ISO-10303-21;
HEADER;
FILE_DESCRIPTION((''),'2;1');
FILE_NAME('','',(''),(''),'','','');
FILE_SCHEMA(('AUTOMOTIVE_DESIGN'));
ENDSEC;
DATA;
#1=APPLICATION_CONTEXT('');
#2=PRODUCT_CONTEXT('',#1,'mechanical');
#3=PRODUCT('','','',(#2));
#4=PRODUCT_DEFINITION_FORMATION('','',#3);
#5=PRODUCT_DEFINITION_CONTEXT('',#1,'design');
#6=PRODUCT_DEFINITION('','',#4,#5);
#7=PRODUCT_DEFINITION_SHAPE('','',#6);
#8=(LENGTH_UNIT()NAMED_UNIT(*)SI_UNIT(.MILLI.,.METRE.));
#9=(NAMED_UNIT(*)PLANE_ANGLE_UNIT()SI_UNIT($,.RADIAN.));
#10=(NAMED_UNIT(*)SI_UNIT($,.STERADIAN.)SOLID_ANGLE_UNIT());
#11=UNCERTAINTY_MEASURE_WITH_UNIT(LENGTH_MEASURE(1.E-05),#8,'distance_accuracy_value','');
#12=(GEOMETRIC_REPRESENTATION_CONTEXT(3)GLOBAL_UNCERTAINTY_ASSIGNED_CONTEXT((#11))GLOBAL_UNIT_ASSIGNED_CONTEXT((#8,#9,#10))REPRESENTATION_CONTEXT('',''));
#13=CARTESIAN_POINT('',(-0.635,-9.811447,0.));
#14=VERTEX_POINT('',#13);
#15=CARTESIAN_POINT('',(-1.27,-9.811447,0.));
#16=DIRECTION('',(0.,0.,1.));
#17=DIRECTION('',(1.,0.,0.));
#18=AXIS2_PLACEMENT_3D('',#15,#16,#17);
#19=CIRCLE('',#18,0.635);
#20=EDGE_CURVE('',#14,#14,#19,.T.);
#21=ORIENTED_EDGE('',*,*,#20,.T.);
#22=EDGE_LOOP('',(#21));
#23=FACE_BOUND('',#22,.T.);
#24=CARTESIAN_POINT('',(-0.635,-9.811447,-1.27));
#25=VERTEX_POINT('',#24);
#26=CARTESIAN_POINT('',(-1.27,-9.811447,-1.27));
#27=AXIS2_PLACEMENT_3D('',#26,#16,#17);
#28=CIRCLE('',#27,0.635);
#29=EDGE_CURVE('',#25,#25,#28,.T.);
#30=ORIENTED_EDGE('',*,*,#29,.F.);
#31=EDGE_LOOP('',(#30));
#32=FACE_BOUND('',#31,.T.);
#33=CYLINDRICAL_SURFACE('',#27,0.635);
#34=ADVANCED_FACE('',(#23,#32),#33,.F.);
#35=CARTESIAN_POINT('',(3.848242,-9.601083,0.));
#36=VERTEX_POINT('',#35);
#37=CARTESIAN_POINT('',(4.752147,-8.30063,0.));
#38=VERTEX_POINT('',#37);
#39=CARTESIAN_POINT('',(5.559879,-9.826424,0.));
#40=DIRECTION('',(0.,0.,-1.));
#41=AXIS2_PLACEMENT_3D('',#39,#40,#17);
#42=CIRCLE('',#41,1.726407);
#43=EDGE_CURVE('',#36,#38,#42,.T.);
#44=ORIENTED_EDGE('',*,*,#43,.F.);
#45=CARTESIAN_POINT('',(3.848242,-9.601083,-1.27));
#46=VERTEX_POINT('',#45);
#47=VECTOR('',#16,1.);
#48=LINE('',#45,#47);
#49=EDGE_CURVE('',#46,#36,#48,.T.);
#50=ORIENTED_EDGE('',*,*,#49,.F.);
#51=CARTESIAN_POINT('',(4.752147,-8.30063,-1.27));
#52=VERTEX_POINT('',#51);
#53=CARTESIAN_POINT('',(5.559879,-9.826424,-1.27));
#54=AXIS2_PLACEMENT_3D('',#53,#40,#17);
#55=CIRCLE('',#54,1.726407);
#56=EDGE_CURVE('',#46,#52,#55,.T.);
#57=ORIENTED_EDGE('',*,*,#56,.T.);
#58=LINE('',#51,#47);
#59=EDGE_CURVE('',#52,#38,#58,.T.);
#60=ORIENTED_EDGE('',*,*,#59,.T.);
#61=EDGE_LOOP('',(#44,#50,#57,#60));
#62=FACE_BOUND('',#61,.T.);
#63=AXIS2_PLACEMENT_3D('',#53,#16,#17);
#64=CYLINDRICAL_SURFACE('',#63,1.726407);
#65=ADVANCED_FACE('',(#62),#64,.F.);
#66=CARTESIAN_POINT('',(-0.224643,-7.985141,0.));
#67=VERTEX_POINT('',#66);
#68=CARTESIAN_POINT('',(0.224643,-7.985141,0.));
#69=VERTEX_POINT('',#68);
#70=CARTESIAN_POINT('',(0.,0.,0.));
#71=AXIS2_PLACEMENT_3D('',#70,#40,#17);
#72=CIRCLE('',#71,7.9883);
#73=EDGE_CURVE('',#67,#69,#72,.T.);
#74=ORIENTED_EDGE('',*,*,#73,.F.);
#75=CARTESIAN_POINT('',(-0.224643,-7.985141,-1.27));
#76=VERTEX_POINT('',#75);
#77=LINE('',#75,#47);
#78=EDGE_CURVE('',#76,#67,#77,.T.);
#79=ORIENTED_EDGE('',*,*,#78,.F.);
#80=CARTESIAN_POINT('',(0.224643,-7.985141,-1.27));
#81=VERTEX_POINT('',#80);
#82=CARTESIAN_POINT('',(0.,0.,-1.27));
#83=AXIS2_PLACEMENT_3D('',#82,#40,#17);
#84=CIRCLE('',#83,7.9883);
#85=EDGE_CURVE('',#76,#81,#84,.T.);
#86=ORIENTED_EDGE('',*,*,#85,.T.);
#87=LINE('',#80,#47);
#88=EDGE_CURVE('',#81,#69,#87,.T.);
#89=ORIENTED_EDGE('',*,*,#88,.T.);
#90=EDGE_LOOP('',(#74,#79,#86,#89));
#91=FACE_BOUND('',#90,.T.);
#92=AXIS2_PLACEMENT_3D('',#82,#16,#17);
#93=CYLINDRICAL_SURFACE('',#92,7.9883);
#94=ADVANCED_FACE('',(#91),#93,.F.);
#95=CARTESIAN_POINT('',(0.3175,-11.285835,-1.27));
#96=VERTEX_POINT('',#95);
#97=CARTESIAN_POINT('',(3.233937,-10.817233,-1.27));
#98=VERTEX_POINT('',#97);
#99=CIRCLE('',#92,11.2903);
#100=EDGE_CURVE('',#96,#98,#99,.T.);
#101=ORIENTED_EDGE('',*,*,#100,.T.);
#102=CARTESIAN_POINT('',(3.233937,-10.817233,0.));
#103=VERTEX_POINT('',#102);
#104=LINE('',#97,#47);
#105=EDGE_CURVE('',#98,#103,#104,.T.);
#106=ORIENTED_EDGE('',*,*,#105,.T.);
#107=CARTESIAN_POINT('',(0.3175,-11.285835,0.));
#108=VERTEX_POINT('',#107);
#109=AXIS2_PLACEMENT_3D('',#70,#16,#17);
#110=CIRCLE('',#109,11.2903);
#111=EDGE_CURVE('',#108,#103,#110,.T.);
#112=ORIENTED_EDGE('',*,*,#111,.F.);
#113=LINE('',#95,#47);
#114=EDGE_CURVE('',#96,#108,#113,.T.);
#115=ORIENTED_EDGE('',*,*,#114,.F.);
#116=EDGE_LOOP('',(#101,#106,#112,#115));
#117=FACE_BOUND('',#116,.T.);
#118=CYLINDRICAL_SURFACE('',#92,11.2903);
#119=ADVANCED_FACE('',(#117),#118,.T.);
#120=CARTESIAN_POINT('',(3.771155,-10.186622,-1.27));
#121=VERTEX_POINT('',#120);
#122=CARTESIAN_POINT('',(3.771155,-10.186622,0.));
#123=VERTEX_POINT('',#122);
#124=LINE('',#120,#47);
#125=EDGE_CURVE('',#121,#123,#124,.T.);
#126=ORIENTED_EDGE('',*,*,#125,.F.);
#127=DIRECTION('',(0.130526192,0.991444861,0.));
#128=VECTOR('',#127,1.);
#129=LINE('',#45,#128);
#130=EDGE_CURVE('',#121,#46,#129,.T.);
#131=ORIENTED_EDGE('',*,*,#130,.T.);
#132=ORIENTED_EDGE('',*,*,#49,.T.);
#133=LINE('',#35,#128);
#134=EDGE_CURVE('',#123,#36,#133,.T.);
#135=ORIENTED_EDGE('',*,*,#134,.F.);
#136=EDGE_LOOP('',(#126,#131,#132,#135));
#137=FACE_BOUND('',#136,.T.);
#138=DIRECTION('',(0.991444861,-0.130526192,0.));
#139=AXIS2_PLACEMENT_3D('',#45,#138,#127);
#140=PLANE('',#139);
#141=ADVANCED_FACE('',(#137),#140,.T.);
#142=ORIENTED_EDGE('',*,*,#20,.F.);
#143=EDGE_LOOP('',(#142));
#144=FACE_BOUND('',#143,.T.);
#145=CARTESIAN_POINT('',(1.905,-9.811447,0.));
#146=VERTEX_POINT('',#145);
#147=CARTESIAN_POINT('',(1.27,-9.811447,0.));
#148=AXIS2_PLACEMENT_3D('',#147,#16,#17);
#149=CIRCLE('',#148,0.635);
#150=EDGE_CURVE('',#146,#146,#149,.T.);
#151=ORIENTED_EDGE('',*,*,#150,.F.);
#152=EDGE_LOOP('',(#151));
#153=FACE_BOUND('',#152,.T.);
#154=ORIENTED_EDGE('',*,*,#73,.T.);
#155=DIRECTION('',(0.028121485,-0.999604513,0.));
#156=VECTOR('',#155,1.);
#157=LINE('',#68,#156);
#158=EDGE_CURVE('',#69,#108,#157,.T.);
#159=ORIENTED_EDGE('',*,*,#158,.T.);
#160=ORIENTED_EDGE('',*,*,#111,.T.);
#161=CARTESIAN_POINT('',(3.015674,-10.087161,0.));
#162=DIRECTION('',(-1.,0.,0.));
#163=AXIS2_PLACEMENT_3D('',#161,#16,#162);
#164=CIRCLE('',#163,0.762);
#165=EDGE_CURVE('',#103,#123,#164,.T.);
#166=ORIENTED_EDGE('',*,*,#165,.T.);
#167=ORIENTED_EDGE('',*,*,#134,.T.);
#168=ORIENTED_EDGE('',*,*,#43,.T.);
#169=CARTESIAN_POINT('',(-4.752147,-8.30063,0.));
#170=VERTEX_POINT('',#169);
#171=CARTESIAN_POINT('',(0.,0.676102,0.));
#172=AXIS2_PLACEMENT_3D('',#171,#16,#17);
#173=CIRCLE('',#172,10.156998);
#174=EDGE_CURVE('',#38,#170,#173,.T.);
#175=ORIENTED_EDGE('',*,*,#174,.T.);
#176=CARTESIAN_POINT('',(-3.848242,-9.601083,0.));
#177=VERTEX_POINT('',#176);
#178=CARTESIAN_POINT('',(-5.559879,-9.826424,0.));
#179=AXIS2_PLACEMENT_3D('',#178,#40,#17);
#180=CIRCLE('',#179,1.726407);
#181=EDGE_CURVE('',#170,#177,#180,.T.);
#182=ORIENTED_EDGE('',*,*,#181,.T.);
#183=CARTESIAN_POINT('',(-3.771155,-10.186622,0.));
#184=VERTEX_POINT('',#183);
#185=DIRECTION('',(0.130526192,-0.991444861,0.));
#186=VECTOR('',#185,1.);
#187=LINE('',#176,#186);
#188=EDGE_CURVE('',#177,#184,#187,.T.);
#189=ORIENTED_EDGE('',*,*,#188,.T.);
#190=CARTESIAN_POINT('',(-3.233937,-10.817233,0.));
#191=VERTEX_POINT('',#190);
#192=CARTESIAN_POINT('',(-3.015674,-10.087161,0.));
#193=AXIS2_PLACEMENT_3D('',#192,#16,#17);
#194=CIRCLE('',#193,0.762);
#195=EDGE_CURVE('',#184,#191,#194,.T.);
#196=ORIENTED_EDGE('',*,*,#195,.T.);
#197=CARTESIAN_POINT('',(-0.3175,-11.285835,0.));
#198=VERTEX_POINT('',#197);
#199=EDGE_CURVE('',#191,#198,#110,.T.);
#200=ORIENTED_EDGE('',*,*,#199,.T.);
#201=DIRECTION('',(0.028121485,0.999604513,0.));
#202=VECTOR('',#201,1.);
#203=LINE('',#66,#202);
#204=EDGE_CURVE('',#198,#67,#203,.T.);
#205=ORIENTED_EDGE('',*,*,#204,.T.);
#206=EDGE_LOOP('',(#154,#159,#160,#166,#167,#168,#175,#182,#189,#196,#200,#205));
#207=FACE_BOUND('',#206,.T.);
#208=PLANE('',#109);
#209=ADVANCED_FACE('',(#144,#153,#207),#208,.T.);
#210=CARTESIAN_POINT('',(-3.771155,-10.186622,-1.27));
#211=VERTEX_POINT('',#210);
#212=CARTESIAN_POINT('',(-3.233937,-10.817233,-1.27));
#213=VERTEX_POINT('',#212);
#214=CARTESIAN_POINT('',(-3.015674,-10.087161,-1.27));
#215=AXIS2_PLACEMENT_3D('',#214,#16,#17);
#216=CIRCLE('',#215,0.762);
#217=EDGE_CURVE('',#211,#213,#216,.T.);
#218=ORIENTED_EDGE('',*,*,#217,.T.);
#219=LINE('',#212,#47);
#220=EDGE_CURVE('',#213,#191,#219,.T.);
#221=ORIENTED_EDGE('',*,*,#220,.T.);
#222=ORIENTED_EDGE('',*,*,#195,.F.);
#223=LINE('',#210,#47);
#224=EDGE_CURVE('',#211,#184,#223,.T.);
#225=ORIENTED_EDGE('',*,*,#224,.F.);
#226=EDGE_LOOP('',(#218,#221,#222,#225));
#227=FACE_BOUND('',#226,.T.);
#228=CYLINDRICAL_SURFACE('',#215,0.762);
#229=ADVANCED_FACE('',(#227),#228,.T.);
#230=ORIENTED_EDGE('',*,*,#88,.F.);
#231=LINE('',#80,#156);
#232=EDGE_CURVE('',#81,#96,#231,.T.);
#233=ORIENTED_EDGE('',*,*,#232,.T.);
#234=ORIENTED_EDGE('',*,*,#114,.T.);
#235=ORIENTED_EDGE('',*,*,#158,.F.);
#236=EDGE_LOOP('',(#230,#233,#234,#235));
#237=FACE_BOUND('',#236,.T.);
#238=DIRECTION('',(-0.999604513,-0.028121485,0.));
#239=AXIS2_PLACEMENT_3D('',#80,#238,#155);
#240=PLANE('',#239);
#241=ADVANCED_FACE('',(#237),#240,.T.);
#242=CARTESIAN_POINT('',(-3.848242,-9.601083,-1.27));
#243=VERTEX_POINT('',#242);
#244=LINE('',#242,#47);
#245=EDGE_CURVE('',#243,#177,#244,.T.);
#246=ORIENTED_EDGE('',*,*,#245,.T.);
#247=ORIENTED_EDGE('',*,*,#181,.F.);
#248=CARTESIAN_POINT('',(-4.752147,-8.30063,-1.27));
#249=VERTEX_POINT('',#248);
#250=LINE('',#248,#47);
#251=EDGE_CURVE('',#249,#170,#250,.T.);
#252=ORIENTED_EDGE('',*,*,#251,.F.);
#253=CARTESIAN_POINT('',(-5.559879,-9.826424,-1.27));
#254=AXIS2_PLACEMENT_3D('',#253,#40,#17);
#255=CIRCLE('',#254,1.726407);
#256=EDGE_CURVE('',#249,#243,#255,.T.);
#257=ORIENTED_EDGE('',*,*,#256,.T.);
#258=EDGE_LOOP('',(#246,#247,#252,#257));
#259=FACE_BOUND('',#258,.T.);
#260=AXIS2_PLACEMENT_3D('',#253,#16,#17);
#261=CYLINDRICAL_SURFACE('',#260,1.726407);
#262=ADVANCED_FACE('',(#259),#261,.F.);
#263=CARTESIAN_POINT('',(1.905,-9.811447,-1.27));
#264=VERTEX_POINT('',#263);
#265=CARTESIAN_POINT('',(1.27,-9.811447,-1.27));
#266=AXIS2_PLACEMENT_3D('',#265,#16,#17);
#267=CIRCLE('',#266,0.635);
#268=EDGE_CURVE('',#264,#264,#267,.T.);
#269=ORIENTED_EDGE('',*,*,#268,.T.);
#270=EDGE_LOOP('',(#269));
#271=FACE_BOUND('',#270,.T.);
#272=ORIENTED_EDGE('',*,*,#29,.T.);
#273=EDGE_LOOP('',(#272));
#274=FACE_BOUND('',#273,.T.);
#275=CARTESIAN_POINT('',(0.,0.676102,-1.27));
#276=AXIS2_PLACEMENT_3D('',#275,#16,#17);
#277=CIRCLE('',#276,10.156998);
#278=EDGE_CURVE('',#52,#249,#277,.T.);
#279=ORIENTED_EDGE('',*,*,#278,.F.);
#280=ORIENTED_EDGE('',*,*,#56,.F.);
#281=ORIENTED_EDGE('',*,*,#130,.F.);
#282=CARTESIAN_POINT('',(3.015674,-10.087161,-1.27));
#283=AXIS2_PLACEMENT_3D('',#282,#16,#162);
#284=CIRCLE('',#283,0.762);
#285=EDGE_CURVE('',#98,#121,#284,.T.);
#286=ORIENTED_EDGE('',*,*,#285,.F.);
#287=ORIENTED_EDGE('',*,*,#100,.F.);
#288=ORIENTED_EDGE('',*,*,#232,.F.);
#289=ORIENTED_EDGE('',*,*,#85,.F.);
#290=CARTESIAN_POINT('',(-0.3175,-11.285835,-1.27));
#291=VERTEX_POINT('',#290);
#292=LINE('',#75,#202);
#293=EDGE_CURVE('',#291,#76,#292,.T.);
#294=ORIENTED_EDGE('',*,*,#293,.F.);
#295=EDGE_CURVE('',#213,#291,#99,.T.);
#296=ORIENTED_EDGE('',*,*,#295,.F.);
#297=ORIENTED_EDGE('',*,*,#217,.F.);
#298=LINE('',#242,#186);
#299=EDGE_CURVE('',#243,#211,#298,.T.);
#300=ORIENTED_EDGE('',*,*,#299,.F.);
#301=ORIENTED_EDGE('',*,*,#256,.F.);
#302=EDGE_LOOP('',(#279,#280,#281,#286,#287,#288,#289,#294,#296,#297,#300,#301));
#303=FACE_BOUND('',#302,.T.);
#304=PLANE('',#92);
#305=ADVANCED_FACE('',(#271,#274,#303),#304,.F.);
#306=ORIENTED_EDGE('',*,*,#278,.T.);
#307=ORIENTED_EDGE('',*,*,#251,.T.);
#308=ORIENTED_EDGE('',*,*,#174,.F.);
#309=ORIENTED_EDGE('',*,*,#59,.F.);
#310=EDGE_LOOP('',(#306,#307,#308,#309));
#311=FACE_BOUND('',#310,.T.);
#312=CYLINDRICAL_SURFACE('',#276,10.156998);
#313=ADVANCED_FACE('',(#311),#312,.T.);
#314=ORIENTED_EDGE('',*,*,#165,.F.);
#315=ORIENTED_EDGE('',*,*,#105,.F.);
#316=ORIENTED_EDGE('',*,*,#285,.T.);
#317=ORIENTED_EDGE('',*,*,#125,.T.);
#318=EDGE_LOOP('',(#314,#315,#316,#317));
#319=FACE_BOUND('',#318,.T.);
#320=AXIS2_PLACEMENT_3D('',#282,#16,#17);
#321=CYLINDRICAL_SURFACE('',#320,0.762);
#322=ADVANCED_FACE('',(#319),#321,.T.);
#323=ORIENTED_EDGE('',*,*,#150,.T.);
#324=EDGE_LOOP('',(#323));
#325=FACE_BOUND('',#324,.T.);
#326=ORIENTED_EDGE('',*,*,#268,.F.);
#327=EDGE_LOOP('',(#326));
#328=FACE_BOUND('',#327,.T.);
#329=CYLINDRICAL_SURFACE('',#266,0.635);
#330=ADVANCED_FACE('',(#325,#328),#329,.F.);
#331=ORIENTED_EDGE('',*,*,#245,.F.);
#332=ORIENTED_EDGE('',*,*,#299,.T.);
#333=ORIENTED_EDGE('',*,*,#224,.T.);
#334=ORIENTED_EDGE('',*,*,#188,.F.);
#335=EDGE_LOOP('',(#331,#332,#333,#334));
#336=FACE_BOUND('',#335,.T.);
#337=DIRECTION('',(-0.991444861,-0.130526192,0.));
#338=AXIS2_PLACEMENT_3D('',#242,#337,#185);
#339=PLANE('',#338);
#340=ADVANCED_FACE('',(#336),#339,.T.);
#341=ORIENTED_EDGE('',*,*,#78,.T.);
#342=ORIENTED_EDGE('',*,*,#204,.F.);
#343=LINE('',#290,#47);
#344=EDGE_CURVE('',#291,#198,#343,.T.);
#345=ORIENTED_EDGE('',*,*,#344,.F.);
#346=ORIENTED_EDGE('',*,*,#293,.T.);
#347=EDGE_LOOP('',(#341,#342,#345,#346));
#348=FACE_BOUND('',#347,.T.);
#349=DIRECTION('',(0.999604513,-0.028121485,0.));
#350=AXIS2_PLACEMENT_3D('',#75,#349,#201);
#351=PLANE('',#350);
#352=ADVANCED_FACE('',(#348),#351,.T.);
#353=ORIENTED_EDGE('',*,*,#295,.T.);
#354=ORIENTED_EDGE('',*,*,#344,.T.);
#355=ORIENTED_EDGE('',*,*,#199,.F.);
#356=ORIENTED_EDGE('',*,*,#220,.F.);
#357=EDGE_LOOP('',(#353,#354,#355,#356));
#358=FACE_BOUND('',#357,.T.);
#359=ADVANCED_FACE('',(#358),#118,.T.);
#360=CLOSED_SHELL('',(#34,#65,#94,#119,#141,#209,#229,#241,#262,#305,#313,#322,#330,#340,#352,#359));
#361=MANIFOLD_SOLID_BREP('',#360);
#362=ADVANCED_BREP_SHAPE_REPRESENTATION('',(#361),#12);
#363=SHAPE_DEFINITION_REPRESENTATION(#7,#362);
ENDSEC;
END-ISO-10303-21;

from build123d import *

# Parameters (mm, degrees)
BODYSKE_R  = 0.635
BODY_DEPTH = 1.27


with BuildPart() as part:
    # BodySke → Body (new body)
    with BuildSketch(Plane.XY):
        with BuildLine():
            Line((0.224642857, -7.98514073), (0.3175, -11.285834831))
            ThreePointArc((0.3175, -11.285834831), (1.791109605, -11.14732257), (3.23393725, -10.817232731))
            ThreePointArc((3.23393725, -10.817232731), (3.595727324, -10.581308403), (3.771154753, -10.186621739))
            Line((3.771154753, -10.186621739), (3.848242386, -9.601083037))
            ThreePointArc((3.848242386, -9.601083037), (4.142275713, -8.841092018), (4.752146865, -8.300630063))
            ThreePointArc((4.752146865, -8.300630063), (0, 10.8331), (-4.752146865, -8.300630063))
            ThreePointArc((-4.752146865, -8.300630063), (-4.142275713, -8.841092018), (-3.848242386, -9.601083037))
            Line((-3.848242386, -9.601083037), (-3.771154753, -10.186621739))
            ThreePointArc((-3.771154753, -10.186621739), (-3.595727324, -10.581308403), (-3.23393725, -10.817232731))
            ThreePointArc((-3.23393725, -10.817232731), (-1.791109605, -11.14732257), (-0.3175, -11.285834831))
            Line((-0.3175, -11.285834831), (-0.224642857, -7.98514073))
            ThreePointArc((-0.224642857, -7.98514073), (0, 7.9883), (0.224642857, -7.98514073))
        make_face()
        with Locations((1.27, -9.811446626)):
            Circle(BODYSKE_R, mode=Mode.SUBTRACT)
        with Locations((-1.27, -9.811446626)):
            Circle(BODYSKE_R, mode=Mode.SUBTRACT)
    extrude(amount=-BODY_DEPTH)


solid = part.part
